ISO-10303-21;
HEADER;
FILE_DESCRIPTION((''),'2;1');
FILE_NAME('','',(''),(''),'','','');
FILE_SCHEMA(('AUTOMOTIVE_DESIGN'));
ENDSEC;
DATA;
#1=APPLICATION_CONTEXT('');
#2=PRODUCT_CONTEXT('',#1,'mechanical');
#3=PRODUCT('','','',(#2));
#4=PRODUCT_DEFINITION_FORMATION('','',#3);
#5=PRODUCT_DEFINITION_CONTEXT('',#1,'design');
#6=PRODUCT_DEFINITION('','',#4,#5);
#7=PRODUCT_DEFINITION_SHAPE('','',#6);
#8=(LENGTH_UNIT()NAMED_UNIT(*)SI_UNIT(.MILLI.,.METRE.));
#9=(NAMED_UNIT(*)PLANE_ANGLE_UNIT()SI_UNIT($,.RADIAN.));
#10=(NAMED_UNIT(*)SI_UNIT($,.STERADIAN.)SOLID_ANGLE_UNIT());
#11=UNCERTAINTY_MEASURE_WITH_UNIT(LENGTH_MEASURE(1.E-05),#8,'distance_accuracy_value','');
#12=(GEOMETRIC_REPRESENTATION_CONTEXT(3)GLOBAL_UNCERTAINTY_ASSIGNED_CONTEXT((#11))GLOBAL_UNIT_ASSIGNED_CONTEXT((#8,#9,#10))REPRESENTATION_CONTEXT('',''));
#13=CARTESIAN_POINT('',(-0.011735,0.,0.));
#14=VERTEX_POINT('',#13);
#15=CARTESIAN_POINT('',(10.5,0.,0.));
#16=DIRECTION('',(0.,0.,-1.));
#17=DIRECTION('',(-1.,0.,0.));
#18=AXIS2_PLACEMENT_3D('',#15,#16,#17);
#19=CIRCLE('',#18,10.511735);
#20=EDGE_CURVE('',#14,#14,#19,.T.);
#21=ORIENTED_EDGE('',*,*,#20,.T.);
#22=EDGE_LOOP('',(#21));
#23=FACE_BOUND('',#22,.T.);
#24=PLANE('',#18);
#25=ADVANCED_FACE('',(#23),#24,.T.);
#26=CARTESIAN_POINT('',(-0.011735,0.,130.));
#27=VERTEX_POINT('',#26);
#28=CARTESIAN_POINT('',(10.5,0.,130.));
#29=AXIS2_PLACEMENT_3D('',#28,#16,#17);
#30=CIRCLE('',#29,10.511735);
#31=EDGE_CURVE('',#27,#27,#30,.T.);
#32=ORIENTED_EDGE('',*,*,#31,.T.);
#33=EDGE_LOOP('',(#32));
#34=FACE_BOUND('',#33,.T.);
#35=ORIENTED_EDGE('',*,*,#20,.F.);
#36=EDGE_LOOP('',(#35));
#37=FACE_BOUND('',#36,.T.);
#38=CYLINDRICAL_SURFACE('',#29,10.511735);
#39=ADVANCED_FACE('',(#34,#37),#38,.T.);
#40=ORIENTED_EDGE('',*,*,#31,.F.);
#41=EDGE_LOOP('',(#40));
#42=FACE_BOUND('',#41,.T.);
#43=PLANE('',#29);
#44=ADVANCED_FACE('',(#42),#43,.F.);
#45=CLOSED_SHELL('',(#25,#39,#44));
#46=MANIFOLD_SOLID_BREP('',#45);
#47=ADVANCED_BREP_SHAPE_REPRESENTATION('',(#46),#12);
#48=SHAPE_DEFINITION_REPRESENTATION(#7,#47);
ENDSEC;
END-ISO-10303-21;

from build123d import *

# Parameters (mm, degrees)
EXTRUDE_2_DEPTH = 100
SKETCH_2_R      = 10.511735391
EXTRUDE_3_DEPTH = 130


with BuildPart() as part:
    # 草图1 → 凸台-拉伸2 (new body)
    with BuildSketch(Plane.XY):
        with BuildLine():
            Line((0, 0), (21, 0))
            ThreePointArc((21, 0), (10.5, 10.5), (0, 0))
        make_face()
    extrude(amount=EXTRUDE_2_DEPTH)

    # 草图2 → 凸台-拉伸3 (add)
    with BuildSketch(Plane(origin=(0, 0, 0), x_dir=(-1, 0, 0), z_dir=(0, 0, -1))):
        with Locations((-10.5, 0)):
            Circle(SKETCH_2_R)
    extrude(amount=-EXTRUDE_3_DEPTH)


solid = part.part
